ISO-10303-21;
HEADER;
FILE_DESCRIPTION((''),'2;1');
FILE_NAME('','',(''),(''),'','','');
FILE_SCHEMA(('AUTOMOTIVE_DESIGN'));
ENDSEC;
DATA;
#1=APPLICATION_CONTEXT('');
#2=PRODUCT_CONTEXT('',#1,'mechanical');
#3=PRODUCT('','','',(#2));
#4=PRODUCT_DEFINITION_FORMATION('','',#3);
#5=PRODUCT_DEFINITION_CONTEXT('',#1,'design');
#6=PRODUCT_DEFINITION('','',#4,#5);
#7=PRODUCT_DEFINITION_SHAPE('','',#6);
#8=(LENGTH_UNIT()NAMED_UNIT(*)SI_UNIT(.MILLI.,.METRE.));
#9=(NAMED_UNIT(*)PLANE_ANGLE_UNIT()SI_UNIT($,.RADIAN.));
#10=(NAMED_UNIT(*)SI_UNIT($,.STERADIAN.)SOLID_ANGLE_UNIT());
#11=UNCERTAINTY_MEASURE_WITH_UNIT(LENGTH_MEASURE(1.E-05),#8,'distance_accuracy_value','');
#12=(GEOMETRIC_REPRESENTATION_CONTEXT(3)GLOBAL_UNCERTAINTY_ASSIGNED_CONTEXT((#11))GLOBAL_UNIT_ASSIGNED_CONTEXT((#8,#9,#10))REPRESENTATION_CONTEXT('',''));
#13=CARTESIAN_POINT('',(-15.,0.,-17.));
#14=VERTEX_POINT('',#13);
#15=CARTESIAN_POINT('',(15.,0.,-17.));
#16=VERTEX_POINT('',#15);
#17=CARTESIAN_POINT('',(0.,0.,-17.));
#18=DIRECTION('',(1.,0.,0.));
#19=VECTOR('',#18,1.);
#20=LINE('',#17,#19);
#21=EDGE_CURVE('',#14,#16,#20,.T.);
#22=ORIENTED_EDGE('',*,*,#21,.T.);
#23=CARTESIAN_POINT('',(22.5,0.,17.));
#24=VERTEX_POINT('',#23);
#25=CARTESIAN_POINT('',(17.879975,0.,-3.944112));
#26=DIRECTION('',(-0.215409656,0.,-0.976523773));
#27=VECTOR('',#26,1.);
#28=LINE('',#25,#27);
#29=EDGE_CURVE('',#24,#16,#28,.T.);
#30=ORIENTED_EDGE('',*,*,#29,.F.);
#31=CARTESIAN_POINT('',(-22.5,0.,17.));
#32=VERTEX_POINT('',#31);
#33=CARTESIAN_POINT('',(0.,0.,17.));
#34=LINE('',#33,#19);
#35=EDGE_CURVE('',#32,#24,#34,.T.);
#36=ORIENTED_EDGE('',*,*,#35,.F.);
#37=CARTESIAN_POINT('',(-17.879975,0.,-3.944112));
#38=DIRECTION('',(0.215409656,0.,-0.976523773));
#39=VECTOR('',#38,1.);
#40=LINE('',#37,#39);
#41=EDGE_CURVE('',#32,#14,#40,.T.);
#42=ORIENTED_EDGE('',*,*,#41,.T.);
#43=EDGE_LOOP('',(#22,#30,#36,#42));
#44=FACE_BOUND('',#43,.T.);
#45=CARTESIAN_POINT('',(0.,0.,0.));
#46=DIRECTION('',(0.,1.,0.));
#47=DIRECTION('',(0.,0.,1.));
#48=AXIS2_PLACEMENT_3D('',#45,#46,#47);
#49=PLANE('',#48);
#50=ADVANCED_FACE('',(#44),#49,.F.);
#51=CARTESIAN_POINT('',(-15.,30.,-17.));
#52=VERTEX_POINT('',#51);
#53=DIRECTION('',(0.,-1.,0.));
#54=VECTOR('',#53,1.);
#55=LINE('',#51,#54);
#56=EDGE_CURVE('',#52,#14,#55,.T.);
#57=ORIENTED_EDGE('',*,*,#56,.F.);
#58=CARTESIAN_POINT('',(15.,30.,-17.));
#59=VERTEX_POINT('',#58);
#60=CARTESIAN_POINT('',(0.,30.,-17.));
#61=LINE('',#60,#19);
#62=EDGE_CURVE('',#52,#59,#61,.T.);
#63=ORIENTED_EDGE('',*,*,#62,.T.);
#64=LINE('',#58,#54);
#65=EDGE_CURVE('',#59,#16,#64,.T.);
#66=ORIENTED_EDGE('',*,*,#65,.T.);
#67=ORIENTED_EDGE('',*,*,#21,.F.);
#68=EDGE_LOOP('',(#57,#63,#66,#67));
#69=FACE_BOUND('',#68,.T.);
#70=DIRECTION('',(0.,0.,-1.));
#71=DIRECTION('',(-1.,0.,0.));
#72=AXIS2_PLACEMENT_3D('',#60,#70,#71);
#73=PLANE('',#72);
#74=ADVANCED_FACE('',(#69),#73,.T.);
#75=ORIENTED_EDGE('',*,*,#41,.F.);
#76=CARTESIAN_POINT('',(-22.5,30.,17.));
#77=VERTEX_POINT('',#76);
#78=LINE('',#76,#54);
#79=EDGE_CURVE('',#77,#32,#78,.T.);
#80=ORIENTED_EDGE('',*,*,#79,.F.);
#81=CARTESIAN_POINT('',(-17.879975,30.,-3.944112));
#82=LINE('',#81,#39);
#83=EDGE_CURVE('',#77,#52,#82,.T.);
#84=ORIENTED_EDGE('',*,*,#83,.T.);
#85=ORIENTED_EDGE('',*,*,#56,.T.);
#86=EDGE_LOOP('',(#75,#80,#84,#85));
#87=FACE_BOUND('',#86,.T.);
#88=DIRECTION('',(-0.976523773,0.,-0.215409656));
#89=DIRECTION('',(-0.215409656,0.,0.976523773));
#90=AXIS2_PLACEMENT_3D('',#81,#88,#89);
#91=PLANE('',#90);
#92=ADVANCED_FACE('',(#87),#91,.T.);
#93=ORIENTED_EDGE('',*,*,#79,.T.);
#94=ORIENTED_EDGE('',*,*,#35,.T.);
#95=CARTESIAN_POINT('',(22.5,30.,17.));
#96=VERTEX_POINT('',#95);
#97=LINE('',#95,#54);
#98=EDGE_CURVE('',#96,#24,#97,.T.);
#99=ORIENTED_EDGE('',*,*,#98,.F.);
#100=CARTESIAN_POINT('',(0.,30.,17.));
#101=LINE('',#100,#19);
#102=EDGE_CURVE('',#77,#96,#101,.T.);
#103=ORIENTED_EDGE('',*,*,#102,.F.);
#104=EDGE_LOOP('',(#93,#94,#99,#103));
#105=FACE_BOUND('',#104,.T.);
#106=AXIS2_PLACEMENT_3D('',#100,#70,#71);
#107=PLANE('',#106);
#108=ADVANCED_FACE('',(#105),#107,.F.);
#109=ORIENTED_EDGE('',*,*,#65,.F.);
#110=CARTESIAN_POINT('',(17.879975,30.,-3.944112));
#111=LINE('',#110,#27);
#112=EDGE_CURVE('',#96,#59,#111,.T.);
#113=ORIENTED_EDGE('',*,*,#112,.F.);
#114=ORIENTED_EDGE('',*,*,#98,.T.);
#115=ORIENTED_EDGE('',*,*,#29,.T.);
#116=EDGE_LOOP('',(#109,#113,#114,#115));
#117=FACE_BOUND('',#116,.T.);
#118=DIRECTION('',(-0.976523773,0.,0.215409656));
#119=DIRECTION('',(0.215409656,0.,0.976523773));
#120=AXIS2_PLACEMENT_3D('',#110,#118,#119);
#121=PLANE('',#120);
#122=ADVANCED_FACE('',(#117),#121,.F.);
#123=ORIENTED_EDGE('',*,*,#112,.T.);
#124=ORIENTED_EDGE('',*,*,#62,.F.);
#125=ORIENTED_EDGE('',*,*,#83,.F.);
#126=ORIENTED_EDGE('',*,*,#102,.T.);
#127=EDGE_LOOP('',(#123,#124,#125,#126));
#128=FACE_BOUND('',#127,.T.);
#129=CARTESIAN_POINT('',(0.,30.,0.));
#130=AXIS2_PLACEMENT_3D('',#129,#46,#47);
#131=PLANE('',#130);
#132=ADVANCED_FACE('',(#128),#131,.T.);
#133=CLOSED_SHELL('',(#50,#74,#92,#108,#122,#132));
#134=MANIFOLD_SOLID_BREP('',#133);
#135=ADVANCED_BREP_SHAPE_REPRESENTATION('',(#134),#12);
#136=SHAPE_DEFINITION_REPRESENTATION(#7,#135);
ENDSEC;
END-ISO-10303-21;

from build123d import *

# Parameters (mm, degrees)
EXTRUDE_1_DEPTH = 30


with BuildPart() as part:
    # 草圖1 → 填料-伸長1 (new body)
    with BuildSketch(Plane(origin=(0, 0, 0), x_dir=(1, 0, 0), z_dir=(0, 1, 0))):
        Polygon((-15, 17), (-22.5, -17), (22.5, -17), (15, 17), align=None)
    extrude(amount=EXTRUDE_1_DEPTH)


solid = part.part
